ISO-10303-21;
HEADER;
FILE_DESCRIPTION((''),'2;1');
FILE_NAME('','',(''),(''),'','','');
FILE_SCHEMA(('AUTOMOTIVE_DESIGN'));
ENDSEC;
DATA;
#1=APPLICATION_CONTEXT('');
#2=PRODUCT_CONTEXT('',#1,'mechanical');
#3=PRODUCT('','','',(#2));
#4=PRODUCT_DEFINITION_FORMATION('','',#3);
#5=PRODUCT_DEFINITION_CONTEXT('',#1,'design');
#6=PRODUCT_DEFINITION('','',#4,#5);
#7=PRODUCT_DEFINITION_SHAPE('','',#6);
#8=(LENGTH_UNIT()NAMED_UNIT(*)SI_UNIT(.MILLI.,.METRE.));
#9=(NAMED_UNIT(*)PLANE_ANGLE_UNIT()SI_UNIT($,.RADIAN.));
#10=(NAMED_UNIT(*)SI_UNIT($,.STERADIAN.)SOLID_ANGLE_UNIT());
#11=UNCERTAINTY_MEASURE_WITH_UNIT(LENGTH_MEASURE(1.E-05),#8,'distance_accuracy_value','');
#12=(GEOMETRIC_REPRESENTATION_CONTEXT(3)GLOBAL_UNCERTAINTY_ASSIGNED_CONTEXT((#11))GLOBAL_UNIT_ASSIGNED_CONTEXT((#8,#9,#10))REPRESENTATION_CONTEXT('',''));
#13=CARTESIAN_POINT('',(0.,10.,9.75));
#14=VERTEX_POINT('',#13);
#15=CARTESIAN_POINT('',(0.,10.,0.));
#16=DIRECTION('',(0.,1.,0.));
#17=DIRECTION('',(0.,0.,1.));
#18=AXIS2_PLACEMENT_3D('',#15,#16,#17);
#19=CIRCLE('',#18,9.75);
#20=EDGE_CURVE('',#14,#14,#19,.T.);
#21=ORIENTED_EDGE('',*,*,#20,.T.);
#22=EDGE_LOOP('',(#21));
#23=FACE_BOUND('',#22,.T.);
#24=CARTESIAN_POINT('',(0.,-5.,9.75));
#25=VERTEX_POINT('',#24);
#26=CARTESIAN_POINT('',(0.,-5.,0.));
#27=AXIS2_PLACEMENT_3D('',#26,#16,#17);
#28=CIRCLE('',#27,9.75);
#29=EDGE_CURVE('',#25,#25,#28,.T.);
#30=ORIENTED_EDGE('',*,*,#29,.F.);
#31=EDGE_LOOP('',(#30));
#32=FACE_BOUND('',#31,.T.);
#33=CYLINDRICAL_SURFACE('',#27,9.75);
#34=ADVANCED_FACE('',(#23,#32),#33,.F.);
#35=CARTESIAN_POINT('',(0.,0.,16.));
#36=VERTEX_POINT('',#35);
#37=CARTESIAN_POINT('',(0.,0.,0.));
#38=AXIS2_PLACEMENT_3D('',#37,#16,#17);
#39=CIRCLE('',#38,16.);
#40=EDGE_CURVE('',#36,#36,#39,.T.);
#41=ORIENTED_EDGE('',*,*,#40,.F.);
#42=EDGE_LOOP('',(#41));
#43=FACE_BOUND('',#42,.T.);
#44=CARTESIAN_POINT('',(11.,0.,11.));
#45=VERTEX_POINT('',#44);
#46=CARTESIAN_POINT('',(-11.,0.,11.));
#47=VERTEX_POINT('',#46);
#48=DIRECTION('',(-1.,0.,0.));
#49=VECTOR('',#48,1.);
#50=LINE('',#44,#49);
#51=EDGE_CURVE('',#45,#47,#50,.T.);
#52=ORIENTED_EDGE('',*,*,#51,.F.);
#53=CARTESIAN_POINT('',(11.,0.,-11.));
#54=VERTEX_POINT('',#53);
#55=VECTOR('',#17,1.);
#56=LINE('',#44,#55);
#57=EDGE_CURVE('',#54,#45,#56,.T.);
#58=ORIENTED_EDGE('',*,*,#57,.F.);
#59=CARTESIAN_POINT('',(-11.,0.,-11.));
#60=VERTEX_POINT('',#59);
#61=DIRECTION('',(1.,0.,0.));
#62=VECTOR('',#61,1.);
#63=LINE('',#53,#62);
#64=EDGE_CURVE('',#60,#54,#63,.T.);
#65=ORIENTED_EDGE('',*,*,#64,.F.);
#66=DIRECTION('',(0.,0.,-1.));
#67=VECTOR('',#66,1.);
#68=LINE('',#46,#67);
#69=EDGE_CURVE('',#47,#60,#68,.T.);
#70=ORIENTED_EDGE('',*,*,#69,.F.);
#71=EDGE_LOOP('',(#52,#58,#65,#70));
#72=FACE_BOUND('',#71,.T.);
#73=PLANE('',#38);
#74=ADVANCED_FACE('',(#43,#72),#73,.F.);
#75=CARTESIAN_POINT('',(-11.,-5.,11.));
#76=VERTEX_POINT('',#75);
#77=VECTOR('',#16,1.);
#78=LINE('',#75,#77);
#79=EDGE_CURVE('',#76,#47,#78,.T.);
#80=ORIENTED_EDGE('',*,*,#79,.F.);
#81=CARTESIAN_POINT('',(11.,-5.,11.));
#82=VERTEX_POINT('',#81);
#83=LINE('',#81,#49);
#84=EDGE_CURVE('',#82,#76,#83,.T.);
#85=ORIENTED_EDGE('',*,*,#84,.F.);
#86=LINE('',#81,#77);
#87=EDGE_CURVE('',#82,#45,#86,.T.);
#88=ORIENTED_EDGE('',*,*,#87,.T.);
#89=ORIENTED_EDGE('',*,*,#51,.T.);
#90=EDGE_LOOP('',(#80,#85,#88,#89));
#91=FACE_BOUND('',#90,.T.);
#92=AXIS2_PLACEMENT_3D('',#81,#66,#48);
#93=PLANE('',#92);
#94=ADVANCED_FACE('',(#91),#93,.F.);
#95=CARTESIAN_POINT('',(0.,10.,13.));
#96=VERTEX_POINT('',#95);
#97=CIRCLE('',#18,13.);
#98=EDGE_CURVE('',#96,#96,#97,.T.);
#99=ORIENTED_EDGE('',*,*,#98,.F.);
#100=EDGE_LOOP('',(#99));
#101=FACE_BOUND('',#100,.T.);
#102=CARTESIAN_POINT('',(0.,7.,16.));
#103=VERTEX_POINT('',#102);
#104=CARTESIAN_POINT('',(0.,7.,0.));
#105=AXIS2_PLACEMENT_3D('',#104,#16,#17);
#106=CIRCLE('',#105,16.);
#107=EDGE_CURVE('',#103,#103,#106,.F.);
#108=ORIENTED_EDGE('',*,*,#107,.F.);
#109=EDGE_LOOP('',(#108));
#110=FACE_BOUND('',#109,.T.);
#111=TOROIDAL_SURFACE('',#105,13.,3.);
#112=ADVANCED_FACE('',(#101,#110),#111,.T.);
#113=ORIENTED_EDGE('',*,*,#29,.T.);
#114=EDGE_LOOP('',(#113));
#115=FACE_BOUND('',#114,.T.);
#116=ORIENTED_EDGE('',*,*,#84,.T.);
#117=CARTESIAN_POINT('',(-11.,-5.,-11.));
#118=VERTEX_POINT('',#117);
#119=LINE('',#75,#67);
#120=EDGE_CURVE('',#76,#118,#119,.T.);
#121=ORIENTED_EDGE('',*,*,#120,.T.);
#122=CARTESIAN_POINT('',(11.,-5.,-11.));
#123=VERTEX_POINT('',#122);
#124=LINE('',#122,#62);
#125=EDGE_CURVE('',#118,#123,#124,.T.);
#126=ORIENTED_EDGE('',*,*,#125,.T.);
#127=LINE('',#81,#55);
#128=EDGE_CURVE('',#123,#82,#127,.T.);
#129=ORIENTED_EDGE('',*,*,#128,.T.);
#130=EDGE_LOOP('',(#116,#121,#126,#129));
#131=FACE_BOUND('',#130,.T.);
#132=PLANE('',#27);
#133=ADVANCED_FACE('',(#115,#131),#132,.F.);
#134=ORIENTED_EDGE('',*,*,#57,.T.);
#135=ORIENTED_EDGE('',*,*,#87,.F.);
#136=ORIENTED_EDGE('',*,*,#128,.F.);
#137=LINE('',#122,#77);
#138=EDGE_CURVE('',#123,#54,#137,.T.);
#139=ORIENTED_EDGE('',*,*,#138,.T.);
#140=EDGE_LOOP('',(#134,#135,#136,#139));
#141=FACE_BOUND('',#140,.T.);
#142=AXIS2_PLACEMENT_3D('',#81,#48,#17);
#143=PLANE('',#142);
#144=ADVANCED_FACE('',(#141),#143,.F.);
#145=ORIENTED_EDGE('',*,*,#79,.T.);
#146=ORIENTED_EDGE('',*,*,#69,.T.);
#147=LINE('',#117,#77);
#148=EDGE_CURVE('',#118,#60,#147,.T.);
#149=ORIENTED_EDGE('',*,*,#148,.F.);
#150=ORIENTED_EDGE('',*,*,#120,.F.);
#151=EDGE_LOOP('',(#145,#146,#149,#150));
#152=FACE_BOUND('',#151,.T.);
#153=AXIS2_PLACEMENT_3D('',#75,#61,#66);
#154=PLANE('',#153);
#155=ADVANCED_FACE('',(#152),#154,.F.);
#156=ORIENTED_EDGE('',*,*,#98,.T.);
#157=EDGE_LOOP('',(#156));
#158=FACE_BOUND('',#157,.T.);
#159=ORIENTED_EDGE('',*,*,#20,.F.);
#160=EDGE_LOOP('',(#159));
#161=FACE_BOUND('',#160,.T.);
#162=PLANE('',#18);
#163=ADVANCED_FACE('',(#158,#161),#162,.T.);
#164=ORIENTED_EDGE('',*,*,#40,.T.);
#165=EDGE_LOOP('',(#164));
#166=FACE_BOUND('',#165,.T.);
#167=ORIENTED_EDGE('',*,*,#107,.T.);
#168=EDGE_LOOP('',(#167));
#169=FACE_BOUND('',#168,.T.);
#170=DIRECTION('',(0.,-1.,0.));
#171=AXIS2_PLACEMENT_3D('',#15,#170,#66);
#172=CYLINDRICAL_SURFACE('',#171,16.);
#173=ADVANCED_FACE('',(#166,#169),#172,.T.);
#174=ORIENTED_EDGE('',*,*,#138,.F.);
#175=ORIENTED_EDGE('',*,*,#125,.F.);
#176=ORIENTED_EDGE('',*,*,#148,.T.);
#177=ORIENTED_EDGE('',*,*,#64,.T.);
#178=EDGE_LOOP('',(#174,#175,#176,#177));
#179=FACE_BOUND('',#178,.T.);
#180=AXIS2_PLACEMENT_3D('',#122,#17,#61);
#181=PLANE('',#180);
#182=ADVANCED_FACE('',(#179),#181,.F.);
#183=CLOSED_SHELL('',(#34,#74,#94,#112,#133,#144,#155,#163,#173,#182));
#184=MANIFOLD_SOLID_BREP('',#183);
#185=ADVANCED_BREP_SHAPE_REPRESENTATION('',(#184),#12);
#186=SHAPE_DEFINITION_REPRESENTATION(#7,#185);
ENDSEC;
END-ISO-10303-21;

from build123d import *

# Parameters (mm, degrees)
SKETCH1_R           = 16
BOSS_EXTRUDE1_DEPTH = 10
SKETCH2_W           = 22
SKETCH2_H           = 22
BOSS_EXTRUDE2_DEPTH = 5
SKETCH3_R           = 9.75
CUT_EXTRUDE1_DEPTH  = 28.147743921
FILLET1_R           = 3


with BuildPart() as part:
    # Sketch1 → Boss-Extrude1 (new body)
    with BuildSketch(Plane(origin=(0, 0, 0), x_dir=(1, 0, 0), z_dir=(0, 1, 0))):
        with Locations(Location((0, 0, 0), (0, 0, 270))):
            Circle(SKETCH1_R)
    extrude(amount=BOSS_EXTRUDE1_DEPTH)

    # Sketch2 → Boss-Extrude2 (add)
    with BuildSketch(Plane.XZ):
        Rectangle(SKETCH2_W, SKETCH2_H)
    extrude(amount=BOSS_EXTRUDE2_DEPTH)

    # Sketch3 → Cut-Extrude1 (cut, through all)
    with BuildSketch(Plane(origin=(0, 10, 0), x_dir=(1, 0, 0), z_dir=(0, 1, 0))):
        with Locations(Location((0, 0, 0), (0, 0, 270))):
            Circle(SKETCH3_R)
    extrude(amount=-CUT_EXTRUDE1_DEPTH, mode=Mode.SUBTRACT)

    # Fillet1
    fillet1_edges = [part.edges().sort_by_distance(p)[0] for p in [
        (0, 10, -16),
    ]]
    fillet(fillet1_edges, radius=FILLET1_R)


solid = part.part
